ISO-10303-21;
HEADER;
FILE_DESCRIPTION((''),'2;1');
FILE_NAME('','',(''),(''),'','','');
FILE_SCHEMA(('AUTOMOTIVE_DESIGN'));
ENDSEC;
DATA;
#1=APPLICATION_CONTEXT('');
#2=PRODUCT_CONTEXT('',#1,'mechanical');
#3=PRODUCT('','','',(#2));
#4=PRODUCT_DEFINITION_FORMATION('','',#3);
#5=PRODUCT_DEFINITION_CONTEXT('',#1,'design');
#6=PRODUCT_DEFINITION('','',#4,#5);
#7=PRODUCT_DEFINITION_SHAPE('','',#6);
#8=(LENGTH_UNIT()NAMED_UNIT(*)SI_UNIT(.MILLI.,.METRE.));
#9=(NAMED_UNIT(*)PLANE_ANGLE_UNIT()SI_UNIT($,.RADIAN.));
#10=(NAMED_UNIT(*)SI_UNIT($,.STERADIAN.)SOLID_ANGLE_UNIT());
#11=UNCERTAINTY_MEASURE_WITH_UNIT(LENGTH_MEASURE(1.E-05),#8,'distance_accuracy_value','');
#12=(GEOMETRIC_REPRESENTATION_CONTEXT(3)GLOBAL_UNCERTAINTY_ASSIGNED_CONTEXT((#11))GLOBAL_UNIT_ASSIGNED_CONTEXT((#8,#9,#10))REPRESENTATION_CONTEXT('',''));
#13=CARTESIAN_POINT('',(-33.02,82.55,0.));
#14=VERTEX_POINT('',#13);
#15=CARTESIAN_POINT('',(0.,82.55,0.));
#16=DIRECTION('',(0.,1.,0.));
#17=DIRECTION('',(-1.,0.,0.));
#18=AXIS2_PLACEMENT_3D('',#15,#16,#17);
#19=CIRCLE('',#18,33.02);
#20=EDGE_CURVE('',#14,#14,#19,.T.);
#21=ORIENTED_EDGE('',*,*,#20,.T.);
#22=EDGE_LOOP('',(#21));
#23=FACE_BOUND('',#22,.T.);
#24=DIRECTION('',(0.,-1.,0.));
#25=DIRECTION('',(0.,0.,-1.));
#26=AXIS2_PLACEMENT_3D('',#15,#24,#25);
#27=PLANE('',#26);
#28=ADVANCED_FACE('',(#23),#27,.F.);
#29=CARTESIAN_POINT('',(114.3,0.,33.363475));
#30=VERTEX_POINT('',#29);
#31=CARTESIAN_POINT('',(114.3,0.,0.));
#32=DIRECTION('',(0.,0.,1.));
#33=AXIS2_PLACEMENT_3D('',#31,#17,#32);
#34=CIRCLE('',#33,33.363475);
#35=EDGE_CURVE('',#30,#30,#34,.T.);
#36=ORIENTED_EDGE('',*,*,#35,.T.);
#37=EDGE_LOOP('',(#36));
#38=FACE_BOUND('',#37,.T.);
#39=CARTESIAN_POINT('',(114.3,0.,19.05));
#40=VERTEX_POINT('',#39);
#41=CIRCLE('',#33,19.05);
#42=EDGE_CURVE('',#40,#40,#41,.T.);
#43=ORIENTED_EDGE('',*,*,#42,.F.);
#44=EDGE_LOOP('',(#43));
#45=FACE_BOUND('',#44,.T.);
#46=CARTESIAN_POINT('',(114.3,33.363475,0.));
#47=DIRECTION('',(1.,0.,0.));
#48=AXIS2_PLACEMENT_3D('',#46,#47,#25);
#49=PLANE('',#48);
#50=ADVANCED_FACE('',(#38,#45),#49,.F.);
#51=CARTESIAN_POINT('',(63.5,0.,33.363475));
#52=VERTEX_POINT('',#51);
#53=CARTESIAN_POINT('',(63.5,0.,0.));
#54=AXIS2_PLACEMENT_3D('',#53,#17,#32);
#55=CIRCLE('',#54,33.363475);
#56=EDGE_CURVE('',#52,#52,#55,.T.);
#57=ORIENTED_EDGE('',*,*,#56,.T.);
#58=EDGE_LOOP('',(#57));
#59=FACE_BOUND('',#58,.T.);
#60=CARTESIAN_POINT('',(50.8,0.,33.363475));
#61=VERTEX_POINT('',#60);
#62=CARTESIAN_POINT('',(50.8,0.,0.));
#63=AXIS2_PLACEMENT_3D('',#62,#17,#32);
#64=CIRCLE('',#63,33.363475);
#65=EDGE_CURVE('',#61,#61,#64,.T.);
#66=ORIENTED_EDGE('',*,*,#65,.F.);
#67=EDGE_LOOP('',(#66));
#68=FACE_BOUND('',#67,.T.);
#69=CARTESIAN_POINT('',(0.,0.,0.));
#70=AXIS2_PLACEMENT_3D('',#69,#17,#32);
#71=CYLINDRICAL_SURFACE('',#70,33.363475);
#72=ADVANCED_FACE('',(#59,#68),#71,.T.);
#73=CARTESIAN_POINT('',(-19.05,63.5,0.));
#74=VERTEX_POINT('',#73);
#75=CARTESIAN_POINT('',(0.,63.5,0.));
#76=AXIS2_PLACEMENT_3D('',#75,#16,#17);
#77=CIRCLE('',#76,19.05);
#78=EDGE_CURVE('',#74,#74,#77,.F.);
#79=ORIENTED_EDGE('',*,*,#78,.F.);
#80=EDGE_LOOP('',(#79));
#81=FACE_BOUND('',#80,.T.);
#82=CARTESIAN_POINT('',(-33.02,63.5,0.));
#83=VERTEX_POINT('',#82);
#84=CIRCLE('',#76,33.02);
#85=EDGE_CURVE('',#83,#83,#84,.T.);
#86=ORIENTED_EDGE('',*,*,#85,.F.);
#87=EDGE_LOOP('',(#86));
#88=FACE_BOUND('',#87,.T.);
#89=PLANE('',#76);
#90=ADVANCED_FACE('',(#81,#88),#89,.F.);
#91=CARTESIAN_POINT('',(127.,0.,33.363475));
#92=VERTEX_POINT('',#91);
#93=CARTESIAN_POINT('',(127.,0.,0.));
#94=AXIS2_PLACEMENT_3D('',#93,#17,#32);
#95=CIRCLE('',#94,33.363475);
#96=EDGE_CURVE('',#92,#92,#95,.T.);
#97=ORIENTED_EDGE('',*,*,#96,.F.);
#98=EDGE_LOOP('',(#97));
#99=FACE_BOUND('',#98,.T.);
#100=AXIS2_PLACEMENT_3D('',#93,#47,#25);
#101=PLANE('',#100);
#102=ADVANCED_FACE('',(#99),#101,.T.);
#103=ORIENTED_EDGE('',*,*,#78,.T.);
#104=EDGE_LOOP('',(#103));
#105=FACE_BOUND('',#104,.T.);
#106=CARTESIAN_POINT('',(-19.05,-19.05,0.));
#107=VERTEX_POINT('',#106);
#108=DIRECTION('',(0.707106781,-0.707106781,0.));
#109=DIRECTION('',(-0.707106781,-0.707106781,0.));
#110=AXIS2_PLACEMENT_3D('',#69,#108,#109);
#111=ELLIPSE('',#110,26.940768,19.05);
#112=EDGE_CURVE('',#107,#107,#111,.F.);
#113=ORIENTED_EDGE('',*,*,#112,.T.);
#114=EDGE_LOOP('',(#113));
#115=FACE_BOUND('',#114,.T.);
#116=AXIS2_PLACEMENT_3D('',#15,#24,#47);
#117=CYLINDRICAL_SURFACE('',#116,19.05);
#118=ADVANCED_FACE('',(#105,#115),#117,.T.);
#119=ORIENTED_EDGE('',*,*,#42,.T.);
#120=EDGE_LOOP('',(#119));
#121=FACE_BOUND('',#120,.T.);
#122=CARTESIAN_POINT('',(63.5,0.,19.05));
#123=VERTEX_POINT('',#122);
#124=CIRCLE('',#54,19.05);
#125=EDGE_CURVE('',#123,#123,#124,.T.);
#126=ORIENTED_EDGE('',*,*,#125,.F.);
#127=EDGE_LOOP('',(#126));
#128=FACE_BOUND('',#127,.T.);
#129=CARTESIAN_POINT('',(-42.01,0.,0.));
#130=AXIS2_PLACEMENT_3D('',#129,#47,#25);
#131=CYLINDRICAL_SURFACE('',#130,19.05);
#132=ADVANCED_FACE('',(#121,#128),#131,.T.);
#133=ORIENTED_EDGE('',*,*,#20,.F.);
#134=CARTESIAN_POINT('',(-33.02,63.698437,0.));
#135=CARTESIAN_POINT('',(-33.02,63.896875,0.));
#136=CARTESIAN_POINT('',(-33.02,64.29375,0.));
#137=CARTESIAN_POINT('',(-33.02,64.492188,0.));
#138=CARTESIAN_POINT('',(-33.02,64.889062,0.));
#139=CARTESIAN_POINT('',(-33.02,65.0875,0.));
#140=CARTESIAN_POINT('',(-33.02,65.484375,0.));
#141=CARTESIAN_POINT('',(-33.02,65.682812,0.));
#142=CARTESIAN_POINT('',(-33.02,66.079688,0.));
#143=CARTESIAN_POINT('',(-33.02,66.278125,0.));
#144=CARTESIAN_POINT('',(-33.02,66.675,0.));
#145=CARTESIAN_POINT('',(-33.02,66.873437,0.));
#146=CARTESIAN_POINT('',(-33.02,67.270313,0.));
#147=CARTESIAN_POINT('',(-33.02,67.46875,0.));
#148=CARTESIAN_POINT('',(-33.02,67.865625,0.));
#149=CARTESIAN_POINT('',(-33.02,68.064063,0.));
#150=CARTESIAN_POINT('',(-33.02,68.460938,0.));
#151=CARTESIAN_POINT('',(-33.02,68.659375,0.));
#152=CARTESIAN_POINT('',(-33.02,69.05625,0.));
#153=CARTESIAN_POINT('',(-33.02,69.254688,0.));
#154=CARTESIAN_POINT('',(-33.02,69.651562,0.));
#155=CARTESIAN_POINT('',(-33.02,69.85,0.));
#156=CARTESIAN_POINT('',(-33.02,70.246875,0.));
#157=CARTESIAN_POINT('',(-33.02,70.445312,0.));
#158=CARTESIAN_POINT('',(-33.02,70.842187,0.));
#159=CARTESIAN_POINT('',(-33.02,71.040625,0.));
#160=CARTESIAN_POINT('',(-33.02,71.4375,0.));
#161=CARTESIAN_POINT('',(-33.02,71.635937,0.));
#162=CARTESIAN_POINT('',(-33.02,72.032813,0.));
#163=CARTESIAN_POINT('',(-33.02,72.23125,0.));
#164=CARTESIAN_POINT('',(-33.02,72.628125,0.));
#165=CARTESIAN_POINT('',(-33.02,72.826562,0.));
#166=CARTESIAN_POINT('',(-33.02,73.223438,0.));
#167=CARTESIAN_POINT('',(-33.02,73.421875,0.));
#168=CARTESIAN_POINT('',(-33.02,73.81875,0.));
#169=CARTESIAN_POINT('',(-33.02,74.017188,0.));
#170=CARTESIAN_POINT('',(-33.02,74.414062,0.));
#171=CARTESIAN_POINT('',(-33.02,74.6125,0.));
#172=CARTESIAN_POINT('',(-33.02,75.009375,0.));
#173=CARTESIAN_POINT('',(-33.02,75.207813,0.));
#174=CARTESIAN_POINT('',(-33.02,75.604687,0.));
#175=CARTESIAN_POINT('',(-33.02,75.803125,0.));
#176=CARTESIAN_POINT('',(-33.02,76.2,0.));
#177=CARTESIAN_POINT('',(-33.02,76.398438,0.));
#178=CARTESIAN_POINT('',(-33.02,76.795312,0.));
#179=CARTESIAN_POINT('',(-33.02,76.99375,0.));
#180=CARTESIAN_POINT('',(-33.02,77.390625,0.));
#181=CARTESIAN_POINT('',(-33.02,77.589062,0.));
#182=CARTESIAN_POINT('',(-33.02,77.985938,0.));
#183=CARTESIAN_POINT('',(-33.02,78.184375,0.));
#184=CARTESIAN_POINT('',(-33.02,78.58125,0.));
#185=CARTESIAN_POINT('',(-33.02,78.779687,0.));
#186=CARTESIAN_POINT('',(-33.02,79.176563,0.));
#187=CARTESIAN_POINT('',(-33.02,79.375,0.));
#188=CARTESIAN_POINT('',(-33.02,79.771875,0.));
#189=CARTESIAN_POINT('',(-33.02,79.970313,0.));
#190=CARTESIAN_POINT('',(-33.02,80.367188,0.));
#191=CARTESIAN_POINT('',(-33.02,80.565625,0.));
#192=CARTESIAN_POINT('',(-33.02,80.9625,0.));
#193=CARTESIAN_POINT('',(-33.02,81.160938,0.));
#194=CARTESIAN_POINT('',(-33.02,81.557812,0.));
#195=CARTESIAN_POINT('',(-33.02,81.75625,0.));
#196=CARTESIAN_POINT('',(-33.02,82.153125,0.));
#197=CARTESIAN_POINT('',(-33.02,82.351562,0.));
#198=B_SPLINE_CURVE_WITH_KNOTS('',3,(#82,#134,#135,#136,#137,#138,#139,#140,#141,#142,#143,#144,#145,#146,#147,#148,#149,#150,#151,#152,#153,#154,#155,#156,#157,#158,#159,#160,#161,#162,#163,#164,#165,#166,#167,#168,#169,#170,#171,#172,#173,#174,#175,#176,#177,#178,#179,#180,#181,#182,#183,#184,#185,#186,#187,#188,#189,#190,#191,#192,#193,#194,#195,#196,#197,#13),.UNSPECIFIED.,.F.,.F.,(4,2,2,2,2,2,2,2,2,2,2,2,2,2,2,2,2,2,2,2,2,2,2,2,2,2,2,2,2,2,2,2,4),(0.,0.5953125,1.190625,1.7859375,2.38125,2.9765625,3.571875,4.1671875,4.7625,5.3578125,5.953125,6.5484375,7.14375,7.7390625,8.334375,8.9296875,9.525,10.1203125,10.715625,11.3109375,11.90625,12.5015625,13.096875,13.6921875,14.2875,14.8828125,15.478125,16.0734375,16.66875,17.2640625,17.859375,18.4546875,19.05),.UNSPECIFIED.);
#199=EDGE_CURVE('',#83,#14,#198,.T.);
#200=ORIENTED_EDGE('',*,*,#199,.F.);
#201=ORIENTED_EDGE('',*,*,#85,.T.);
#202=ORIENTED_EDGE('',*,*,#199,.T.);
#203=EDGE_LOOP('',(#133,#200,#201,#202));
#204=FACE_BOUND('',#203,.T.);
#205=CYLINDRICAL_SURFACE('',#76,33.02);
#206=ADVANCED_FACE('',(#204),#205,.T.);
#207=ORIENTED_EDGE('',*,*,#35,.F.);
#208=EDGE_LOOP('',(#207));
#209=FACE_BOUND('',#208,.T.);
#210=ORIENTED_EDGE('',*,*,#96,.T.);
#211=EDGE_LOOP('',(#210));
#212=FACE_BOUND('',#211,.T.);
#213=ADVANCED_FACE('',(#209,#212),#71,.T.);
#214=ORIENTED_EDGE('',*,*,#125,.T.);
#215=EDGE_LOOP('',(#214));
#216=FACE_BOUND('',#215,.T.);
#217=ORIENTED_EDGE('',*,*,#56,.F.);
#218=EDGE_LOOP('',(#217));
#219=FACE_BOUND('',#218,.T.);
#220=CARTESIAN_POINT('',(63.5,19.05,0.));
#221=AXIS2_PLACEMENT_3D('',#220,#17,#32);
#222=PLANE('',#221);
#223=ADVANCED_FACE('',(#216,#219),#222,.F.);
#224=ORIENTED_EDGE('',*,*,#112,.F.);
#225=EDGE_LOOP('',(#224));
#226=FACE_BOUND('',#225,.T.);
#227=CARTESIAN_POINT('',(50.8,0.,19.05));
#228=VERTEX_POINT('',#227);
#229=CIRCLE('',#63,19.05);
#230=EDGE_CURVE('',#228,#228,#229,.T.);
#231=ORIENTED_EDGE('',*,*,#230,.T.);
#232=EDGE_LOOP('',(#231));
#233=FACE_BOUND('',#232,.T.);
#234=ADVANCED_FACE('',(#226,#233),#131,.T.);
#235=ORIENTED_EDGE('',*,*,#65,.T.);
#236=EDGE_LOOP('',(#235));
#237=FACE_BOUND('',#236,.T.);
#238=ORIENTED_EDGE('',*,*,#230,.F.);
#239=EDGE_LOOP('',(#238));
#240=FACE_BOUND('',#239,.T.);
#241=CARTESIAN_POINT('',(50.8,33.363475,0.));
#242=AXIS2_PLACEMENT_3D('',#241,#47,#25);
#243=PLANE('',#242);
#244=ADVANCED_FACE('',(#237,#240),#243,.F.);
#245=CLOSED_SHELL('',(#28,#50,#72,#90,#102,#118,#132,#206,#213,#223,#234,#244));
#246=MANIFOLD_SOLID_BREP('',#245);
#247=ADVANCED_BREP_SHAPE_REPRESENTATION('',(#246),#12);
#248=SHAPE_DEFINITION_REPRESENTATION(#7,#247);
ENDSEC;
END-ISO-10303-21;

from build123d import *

# Parameters (mm, degrees)
SKETCH2_R           = 19.05
SKETCH3_R           = 33.02
BOSS_EXTRUDE1_DEPTH = 19.05
SKETCH4_W           = 12.7
SKETCH4_H           = 14.313474639


with BuildPart() as part:
    # Sweep1: sweep along a path in Sketch1
    with BuildLine(Plane.XY) as sweep1_path:
        Line((0, 82.55), (0, 0))
        Line((0, 0), (127, 0))
    # Sketch2 → Sweep1 (sweep)
    with BuildSketch(Plane(origin=(127, 0, 0), x_dir=(0, 0, -1), z_dir=(1, 0, 0))):
        Circle(SKETCH2_R)
    sweep(path=sweep1_path.line, transition=Transition.RIGHT)

    # Sketch3 → Boss-Extrude1 (add)
    with BuildSketch(Plane(origin=(0, 82.55, 0), x_dir=(1, 0, 0), z_dir=(0, 1, 0))):
        with Locations(Location((0, 0, 0), (0, 0, 180))):
            Circle(SKETCH3_R)
    extrude(amount=-BOSS_EXTRUDE1_DEPTH)

    # Sketch4 → Revolve1 (revolve)
    with BuildSketch(Plane.XY, mode=Mode.PRIVATE) as revolve1_sk:
        with Locations((120.65, 26.20673732)):
            Rectangle(SKETCH4_W, SKETCH4_H)
        with Locations((57.15, 26.20673732)):
            Rectangle(SKETCH4_W, SKETCH4_H)
    revolve(revolve1_sk.sketch.rotate(Axis((0, 0, 0), (1, 0, 0)), 90), axis=Axis((0, 0, 0), (1, 0, 0)))


solid = part.part
